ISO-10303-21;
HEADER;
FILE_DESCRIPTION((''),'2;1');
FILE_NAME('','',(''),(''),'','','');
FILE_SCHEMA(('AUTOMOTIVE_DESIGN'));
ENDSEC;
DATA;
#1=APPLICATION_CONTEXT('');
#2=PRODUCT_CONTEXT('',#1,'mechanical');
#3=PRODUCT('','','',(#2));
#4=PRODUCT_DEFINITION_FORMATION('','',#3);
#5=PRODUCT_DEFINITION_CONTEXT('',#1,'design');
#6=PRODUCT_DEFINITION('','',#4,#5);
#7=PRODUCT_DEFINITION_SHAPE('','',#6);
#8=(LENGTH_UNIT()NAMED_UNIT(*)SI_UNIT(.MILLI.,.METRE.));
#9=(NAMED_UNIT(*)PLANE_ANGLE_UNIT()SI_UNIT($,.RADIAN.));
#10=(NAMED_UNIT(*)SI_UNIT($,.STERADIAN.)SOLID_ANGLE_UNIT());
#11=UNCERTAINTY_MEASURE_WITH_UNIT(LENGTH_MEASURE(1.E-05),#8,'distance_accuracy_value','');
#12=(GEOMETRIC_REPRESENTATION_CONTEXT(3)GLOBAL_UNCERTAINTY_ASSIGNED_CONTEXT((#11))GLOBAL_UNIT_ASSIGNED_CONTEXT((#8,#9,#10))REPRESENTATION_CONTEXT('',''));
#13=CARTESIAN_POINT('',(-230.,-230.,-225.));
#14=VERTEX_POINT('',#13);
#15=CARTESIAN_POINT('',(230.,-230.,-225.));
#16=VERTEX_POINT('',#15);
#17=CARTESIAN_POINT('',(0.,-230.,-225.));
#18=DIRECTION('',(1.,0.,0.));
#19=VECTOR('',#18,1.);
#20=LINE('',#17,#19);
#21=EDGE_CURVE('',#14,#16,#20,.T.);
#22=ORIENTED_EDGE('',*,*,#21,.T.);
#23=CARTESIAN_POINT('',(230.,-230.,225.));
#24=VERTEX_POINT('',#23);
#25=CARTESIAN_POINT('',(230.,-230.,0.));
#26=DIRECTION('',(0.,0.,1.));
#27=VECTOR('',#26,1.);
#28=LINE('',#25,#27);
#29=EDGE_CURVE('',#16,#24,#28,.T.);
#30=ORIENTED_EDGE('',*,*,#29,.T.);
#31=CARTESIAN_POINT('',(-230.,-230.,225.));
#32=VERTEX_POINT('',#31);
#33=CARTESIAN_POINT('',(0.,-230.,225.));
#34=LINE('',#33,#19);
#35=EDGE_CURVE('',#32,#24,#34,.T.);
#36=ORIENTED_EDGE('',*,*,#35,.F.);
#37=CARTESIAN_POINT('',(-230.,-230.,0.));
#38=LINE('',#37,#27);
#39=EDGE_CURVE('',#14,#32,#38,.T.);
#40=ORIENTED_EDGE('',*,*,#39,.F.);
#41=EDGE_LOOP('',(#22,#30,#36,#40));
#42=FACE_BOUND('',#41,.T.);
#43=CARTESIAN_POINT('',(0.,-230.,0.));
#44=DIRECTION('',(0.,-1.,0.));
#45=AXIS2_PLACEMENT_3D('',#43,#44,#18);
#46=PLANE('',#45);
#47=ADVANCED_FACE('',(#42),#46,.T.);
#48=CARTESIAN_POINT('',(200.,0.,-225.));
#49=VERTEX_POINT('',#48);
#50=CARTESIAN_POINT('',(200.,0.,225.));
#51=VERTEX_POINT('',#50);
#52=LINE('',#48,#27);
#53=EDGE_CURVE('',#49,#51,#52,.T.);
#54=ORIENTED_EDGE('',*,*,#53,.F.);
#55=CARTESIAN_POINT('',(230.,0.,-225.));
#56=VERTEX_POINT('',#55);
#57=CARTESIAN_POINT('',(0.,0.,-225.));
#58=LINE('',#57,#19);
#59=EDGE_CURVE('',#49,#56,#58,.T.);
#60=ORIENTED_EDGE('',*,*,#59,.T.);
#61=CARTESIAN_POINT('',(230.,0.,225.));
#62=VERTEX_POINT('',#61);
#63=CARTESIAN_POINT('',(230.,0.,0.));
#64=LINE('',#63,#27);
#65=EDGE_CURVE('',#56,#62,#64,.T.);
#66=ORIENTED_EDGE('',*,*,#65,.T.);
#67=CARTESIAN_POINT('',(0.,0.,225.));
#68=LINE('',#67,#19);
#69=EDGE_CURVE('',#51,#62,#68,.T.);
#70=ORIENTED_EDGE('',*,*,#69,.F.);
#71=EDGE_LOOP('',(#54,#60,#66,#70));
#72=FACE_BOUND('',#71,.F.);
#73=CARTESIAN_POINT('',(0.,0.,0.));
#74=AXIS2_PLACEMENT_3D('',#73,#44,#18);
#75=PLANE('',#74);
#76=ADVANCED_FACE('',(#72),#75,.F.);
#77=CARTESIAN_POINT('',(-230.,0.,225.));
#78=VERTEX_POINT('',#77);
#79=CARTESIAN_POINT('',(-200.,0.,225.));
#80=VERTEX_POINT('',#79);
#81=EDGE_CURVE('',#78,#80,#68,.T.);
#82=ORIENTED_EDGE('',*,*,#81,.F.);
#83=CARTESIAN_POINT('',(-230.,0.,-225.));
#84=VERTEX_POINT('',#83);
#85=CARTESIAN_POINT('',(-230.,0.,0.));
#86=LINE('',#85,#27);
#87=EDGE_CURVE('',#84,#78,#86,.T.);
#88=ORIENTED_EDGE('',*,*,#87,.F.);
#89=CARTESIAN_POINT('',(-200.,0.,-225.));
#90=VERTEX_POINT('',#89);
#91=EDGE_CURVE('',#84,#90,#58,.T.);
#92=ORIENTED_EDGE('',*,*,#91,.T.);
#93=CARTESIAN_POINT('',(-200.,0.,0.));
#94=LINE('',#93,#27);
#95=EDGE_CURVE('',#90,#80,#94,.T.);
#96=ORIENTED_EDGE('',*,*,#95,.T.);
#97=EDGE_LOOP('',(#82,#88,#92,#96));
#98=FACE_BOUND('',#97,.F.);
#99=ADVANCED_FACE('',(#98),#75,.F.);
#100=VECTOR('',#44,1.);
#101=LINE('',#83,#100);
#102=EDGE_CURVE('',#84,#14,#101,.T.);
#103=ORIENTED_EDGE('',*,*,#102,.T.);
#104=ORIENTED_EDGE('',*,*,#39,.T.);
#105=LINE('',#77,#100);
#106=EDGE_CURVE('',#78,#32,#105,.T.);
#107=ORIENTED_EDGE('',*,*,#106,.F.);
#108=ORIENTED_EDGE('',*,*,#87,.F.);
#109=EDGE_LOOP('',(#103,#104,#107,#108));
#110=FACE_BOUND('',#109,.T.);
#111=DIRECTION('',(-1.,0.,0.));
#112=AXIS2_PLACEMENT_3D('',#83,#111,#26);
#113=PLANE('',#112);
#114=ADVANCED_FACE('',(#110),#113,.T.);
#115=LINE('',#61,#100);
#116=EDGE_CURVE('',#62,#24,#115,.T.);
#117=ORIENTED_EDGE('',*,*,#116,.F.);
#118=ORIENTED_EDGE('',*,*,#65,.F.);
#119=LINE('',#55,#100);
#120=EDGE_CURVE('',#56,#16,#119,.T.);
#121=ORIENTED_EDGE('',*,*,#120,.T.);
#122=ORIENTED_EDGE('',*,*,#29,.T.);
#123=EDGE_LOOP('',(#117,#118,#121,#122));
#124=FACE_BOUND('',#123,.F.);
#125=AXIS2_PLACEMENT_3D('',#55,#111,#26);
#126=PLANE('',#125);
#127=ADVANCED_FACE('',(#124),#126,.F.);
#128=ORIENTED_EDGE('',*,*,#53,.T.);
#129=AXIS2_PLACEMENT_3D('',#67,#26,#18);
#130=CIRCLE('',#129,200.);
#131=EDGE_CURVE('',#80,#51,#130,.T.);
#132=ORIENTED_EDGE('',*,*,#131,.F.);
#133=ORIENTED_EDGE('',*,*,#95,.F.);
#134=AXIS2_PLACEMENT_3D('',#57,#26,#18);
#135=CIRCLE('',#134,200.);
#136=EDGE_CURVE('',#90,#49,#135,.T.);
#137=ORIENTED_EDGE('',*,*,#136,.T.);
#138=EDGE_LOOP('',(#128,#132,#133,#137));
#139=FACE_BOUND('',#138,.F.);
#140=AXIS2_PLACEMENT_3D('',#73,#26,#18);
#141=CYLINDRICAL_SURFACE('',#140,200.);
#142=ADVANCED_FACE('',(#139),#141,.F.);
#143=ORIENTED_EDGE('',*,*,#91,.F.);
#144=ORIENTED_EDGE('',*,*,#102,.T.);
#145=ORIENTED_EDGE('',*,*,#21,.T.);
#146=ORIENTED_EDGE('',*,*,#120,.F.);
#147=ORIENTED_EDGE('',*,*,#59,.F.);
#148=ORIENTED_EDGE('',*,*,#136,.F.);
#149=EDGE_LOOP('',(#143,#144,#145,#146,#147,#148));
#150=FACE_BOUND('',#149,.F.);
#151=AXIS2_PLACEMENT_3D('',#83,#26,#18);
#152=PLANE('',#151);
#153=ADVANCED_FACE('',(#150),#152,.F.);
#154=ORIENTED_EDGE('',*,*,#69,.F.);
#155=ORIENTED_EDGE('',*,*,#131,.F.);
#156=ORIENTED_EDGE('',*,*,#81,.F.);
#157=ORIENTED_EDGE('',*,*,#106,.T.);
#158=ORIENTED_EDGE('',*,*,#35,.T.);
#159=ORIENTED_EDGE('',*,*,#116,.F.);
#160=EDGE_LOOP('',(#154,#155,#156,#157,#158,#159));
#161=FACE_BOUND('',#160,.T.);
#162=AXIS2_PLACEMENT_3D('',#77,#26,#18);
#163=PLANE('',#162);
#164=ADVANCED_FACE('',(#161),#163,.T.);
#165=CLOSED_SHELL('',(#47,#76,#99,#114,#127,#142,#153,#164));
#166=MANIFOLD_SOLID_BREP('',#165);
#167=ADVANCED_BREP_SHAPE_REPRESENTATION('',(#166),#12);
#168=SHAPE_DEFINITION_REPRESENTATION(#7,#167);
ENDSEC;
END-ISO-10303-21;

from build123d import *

# Parameters (mm, degrees)
F0_R     = 200
F1_DEPTH = 225
F2_W     = 460
F2_H     = 450
F3_DEPTH = 230


with BuildPart() as f1:
    # F0 (on Top) → F1 (new body, symmetric)
    with BuildSketch(Plane.XY):
        Circle(F0_R)
    extrude(amount=F1_DEPTH, both=True)


with BuildPart() as f3:
    # F2 (on Front) → F3 (new body)
    with BuildSketch(Plane.XZ):
        Rectangle(F2_W, F2_H)
    extrude(amount=F3_DEPTH)

    # F4: cut F1
    add(f1.part, mode=Mode.SUBTRACT)


solid = f3.part
